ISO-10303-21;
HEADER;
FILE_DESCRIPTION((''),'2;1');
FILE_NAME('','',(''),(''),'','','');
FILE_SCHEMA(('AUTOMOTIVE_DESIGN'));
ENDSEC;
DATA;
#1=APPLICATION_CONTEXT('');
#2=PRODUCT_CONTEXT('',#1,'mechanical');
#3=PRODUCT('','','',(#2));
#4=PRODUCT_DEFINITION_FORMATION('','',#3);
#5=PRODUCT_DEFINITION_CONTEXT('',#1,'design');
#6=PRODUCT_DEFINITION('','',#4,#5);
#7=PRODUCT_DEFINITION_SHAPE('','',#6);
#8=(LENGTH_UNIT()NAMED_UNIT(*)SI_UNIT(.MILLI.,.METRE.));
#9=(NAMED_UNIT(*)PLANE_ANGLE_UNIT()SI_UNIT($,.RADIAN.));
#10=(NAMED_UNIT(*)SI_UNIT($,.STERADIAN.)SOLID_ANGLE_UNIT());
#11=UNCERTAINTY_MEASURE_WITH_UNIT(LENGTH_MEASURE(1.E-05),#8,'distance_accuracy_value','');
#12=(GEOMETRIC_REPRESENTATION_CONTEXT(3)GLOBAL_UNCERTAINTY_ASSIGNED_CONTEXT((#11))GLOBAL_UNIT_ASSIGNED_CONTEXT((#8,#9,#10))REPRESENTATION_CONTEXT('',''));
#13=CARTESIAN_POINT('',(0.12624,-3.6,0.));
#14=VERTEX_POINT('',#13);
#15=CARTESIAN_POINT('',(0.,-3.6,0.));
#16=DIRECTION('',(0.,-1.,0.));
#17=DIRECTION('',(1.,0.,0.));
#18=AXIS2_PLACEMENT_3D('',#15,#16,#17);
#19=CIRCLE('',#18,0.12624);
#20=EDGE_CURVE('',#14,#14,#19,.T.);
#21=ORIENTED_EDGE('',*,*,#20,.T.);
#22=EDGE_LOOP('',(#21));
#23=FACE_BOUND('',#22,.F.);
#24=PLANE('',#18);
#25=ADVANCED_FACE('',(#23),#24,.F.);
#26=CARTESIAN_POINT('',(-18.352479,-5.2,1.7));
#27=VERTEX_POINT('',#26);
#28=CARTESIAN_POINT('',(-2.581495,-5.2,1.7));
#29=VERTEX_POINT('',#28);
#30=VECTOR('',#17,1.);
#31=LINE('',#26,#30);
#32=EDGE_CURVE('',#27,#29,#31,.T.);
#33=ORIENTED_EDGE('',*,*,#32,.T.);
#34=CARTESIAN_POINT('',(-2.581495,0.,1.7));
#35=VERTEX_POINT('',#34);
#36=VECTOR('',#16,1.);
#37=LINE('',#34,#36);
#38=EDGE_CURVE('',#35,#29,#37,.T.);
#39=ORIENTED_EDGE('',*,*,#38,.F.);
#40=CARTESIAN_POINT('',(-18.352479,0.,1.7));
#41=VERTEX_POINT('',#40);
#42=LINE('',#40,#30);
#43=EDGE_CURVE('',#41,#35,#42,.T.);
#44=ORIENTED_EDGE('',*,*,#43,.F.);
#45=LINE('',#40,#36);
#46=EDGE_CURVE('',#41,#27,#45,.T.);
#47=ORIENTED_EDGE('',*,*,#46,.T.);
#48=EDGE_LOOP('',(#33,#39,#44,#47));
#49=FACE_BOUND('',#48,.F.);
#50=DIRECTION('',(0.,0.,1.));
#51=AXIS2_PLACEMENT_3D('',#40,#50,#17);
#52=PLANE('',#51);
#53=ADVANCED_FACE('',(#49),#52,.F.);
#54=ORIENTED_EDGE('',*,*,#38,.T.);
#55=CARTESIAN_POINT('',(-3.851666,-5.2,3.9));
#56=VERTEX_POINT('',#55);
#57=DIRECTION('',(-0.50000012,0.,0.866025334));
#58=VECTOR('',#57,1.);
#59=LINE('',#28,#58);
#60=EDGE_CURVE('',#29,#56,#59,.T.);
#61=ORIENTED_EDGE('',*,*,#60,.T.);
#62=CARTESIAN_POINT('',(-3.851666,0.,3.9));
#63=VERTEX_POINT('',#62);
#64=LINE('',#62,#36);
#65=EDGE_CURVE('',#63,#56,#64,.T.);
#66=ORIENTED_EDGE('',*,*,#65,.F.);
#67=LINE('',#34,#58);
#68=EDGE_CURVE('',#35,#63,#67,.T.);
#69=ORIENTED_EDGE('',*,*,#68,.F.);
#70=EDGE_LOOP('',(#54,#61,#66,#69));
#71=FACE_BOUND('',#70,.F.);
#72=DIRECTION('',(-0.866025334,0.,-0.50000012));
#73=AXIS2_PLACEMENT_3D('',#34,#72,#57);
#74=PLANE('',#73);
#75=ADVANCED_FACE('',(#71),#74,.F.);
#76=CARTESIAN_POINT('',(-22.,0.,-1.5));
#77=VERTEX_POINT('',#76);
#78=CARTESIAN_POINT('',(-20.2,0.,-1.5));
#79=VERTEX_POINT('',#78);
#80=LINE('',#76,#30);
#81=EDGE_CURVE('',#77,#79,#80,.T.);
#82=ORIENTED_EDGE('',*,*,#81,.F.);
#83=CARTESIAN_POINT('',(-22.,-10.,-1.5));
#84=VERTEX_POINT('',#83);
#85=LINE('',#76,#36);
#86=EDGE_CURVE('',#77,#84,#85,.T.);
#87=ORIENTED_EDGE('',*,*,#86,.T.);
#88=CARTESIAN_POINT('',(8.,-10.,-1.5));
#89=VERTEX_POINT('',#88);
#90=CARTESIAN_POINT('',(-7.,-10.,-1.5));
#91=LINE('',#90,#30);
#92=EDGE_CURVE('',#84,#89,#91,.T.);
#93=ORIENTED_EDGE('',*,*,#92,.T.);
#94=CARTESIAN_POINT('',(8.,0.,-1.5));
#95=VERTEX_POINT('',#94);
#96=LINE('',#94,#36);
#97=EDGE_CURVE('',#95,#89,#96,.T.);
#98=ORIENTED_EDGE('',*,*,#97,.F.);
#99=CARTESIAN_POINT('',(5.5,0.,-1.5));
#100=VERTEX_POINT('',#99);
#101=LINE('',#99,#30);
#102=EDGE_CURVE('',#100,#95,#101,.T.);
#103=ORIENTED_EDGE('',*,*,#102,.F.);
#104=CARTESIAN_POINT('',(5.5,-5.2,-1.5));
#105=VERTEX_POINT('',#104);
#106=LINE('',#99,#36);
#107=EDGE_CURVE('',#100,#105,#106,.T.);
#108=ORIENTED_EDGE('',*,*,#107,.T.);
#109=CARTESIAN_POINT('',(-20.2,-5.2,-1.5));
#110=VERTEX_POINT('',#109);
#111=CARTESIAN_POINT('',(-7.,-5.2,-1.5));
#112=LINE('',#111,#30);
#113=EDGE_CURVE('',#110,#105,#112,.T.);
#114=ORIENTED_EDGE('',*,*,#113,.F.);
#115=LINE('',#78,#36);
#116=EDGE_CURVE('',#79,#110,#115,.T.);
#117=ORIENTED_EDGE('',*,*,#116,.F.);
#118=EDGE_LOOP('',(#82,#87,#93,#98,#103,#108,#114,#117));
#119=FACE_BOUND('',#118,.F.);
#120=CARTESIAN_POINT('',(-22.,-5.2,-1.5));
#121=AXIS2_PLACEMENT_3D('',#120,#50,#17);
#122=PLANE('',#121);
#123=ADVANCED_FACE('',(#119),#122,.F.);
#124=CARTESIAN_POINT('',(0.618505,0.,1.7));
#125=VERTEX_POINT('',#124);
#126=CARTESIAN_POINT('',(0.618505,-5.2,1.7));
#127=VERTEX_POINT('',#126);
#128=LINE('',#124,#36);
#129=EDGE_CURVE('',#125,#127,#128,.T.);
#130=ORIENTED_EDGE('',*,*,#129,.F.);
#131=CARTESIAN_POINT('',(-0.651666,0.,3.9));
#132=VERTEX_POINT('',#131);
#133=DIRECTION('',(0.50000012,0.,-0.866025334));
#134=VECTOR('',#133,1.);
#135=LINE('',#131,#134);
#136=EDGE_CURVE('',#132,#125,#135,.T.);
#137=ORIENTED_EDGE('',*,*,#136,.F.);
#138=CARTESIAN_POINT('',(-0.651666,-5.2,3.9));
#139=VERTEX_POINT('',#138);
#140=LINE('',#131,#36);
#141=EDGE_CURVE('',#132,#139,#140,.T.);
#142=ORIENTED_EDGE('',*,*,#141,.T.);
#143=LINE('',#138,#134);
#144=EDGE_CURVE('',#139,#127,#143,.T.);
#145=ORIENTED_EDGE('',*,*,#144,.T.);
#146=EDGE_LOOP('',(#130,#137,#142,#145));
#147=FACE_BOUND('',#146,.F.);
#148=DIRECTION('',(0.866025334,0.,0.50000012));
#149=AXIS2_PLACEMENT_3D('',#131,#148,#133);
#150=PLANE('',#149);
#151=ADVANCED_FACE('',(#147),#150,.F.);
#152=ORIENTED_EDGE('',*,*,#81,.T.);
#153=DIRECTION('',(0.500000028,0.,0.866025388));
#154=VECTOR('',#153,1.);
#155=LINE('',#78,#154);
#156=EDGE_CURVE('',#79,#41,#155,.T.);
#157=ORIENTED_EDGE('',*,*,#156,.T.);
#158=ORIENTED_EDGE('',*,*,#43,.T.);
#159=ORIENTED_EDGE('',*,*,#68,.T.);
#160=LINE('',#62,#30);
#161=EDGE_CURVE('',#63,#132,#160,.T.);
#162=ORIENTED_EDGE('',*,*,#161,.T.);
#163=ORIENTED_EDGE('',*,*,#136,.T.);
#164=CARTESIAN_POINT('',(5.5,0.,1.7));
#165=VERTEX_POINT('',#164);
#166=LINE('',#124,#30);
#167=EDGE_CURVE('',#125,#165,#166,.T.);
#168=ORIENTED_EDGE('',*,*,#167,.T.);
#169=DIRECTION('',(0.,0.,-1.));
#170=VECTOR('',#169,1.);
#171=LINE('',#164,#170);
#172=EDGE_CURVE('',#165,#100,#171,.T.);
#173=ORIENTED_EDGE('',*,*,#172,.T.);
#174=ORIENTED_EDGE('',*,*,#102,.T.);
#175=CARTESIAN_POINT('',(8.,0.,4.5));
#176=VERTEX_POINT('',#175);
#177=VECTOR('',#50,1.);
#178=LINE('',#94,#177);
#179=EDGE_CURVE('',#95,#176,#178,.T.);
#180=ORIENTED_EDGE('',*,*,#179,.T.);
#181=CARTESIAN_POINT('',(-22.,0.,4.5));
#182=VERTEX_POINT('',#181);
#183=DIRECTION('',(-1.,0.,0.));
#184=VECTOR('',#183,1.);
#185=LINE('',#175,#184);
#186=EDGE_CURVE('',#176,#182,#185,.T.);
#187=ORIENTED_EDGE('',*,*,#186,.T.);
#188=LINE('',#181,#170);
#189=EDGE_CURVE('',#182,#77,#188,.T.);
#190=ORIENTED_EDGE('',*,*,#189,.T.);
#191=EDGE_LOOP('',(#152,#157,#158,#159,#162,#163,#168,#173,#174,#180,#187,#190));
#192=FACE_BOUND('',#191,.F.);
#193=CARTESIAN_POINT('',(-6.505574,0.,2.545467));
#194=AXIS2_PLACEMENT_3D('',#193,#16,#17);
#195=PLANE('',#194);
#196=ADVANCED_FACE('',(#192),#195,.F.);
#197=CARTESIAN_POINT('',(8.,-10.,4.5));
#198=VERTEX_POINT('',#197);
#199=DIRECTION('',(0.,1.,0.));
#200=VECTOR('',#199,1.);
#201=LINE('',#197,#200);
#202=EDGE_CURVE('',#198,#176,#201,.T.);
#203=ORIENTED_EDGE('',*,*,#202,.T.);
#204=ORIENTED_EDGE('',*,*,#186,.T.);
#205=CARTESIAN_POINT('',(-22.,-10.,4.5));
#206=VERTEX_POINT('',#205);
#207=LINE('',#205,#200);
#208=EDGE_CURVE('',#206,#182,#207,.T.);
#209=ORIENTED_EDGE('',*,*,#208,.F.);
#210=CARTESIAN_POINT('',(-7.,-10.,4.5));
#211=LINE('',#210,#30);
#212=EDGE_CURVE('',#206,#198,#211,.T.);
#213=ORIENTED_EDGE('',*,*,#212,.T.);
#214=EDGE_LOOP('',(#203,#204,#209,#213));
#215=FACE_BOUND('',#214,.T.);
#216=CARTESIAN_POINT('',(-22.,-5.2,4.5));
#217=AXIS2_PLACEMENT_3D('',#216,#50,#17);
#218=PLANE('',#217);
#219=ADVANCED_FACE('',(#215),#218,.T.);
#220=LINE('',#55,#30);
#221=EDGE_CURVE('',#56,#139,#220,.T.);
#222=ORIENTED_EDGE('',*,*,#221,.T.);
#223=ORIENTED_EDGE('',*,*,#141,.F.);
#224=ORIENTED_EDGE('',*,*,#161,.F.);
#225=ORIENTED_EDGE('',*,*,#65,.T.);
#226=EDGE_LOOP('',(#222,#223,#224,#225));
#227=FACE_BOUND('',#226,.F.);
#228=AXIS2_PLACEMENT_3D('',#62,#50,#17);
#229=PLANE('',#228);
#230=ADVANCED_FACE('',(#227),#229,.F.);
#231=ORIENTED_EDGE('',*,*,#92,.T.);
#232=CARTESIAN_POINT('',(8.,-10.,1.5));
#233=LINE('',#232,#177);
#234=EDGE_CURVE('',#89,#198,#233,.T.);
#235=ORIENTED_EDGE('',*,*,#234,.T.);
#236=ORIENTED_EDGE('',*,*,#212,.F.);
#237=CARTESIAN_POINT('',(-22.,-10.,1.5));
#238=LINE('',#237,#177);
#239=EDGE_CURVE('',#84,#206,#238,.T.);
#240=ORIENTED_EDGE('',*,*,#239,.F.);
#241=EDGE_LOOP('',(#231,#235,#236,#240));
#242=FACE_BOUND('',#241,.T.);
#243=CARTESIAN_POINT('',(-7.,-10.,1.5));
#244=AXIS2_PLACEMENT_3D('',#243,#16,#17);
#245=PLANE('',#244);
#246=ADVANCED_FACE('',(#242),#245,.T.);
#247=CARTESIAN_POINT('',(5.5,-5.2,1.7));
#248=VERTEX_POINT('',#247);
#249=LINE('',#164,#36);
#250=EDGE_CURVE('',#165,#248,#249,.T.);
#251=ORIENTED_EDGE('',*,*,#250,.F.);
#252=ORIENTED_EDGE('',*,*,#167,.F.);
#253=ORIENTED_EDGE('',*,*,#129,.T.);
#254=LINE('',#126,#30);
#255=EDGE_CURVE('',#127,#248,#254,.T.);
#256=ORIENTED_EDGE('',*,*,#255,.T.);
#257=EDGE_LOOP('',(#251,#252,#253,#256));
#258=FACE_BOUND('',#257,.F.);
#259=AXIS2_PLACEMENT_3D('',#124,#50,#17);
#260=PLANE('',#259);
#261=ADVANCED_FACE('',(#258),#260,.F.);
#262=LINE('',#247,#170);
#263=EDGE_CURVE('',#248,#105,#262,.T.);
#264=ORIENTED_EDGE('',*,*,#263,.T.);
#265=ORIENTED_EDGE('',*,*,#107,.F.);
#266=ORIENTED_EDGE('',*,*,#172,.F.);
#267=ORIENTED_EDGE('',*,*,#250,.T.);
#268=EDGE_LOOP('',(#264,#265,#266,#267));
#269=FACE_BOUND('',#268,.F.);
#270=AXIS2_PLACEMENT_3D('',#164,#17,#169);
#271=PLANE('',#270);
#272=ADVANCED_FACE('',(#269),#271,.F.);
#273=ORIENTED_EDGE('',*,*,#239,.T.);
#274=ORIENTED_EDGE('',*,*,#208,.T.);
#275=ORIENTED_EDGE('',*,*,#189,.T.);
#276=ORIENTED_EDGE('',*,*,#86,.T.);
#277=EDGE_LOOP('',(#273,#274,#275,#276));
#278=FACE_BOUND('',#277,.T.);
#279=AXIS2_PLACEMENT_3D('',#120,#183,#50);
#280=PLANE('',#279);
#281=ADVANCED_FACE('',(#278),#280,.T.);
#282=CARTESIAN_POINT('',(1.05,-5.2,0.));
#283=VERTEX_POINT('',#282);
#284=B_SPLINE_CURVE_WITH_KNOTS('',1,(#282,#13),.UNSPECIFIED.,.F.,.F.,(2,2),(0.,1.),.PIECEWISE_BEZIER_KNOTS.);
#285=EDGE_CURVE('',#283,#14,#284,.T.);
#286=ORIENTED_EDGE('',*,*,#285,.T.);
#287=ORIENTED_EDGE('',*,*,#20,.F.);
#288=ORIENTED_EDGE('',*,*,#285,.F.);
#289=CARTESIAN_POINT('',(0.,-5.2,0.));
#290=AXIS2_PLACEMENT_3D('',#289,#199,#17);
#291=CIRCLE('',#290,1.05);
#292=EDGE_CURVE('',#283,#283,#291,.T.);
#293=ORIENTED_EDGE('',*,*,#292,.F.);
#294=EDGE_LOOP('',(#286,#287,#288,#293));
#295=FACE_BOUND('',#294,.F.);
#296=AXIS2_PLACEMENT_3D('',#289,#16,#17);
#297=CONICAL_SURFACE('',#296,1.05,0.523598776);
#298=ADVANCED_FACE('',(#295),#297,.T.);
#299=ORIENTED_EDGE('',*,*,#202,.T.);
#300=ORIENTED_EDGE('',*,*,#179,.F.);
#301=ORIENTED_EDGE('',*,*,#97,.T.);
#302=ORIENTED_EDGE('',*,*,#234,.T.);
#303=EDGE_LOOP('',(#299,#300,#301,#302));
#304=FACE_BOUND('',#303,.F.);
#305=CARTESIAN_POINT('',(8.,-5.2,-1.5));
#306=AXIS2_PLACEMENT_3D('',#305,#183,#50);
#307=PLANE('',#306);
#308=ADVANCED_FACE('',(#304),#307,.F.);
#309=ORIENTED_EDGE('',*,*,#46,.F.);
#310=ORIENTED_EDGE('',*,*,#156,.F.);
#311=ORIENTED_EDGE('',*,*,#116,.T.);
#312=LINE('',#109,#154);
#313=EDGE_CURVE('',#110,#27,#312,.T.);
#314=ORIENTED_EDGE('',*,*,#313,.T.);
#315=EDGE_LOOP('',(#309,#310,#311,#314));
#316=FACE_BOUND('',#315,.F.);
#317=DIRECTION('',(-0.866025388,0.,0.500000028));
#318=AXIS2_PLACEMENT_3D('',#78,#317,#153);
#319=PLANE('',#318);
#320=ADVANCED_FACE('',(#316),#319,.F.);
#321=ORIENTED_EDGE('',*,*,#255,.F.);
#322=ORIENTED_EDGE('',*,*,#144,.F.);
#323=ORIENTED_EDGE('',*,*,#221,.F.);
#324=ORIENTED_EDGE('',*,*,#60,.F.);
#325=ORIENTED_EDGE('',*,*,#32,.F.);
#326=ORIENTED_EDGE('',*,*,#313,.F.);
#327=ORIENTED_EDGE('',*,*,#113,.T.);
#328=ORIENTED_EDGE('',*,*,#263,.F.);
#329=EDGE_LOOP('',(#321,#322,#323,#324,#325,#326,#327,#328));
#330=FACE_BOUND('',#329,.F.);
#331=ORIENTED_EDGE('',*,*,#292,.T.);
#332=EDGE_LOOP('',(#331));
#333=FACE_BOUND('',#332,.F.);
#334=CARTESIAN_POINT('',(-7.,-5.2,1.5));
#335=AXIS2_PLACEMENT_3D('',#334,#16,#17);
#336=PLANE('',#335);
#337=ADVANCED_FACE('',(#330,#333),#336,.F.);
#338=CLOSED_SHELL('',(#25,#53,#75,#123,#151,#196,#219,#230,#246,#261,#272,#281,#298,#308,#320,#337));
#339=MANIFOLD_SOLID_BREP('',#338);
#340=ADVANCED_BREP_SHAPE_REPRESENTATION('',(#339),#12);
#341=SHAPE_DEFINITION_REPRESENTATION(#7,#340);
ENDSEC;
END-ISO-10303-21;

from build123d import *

# Parameters (mm, degrees)
PAD002_DEPTH = 5.2
SKETCH006_R  = 1.05
PAD003_DEPTH = 1.6
PAD003_TAPER = 30
SKETCH007_W  = 30
SKETCH007_H  = 6
PAD004_DEPTH = 4.8


with BuildPart() as part:
    # Sketch005 → Pad002 (new body)
    with BuildSketch(Plane.XZ):
        Polygon((-20.2, -1.5), (-18.352479, 1.7), (-2.581495, 1.7), (-3.851666, 3.9), (-0.651666, 3.9), (0.618505, 1.7), (5.5, 1.7), (5.5, -1.5), (8, -1.5), (8, 4.5), (-22, 4.5), (-22, -1.5), align=None)
    extrude(amount=PAD002_DEPTH)

    # Sketch006 → Pad003 (join)
    with BuildSketch(Plane.XZ.offset(5.2)):
        Circle(SKETCH006_R)
    extrude(amount=-PAD003_DEPTH, taper=PAD003_TAPER)

    # Sketch007 → Pad004 (join)
    with BuildSketch(Plane.XZ.offset(5.2)):
        with Locations((-7, 1.5)):
            Rectangle(SKETCH007_W, SKETCH007_H)
    extrude(amount=PAD004_DEPTH)


solid = part.part
